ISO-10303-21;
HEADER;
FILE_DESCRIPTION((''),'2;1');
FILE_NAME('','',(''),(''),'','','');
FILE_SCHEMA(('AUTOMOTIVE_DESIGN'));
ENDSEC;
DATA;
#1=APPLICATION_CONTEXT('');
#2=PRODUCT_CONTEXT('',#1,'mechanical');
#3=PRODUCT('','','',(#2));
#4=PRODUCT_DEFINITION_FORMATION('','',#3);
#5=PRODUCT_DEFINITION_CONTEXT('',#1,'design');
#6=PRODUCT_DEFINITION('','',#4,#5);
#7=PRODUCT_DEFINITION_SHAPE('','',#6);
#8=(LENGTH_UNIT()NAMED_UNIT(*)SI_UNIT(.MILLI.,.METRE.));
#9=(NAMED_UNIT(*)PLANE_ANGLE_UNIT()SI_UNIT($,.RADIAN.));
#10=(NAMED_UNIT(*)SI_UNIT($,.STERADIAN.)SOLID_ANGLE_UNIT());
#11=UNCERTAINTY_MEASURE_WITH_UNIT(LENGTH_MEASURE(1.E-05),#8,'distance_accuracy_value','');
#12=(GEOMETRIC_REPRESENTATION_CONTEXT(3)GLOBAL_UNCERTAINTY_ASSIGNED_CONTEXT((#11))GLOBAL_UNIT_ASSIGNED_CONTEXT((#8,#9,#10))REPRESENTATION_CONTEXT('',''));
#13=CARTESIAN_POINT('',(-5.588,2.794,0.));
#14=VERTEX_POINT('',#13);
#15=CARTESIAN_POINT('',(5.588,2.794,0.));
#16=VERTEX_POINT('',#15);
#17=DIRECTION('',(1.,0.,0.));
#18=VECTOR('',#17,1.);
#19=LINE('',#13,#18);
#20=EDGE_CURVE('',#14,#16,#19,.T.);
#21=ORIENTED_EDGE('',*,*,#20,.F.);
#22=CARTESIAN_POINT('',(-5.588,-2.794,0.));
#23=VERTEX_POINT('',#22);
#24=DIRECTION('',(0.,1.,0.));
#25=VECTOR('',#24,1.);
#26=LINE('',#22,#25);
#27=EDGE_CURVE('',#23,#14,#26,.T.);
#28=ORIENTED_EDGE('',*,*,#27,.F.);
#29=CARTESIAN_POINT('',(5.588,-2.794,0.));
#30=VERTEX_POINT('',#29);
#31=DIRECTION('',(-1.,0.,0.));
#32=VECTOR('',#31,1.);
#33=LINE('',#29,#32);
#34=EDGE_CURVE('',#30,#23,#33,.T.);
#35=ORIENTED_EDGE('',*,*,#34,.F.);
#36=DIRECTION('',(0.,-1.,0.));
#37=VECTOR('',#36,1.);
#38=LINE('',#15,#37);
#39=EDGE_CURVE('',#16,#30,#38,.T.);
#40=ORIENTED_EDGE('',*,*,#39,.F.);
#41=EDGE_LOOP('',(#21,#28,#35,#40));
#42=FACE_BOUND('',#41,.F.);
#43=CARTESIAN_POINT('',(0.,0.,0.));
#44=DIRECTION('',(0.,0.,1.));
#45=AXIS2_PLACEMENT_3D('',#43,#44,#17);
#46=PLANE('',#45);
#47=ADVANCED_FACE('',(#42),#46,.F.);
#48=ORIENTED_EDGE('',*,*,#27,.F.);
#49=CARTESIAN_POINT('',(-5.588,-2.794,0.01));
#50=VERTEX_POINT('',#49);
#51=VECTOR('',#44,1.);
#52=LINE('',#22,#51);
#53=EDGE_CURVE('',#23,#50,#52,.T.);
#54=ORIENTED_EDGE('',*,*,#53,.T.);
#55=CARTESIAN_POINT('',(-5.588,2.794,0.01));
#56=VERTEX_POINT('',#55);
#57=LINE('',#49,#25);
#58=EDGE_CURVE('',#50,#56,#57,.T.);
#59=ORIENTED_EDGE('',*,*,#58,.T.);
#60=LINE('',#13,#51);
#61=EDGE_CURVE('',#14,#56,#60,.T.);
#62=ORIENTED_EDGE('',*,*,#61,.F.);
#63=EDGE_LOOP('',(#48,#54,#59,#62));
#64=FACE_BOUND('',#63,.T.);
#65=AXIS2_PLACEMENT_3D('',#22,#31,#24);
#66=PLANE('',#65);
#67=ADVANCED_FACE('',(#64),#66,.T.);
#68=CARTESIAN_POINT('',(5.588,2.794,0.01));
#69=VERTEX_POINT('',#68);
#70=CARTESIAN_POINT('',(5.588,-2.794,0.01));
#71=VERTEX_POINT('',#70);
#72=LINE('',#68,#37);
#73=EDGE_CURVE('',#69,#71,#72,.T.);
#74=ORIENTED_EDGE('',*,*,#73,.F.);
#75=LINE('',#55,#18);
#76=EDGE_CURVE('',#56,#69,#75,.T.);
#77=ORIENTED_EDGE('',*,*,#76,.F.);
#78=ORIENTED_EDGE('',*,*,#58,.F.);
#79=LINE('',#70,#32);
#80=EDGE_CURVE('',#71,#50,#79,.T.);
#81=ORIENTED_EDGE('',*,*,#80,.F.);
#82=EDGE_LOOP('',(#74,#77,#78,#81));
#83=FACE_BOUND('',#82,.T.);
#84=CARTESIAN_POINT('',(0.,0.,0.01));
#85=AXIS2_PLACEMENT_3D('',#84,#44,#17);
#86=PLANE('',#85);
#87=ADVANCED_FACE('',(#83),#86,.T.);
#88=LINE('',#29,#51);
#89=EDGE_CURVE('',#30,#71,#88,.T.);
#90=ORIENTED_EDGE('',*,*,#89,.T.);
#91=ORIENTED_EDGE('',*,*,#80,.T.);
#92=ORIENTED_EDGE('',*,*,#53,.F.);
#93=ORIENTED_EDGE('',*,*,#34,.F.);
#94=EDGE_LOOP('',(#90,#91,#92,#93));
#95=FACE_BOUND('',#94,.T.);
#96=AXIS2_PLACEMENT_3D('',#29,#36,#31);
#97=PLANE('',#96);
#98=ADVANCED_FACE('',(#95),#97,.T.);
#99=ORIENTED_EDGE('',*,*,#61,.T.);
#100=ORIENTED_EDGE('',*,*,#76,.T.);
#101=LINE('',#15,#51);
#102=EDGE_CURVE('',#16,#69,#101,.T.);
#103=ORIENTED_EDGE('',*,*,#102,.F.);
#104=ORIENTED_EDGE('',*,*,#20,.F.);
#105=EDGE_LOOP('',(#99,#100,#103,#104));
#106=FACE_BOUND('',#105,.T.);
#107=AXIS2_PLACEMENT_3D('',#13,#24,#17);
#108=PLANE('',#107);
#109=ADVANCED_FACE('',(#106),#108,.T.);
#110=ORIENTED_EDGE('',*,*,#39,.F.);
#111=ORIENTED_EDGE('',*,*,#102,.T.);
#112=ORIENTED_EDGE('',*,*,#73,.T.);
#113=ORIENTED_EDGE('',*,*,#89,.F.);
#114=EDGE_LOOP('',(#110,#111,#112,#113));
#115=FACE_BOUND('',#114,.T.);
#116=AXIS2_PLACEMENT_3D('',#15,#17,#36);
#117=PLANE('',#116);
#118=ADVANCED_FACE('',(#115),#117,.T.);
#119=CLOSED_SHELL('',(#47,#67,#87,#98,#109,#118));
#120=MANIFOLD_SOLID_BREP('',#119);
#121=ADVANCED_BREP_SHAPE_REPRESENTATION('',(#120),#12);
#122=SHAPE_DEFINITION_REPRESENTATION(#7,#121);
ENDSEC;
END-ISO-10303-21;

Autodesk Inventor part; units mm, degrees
ref_plane "YZ Plane" through (0, 0, 0) normal (1, 0, 0) x (0, 1, 0)
ref_plane "XZ Plane" through (0, 0, 0) normal (0, 1, 0) x (-1, 0, 0)
ref_plane "XY Plane" through (0, 0, 0) normal (0, 0, 1) x (1, 0, 0)
sketch "HC49U-V, 16_000_66" plane through (0, 0, 0) normal (0, 0, 1) x (1, 0, 0)
  line L0 (-5.588, 2.794) -> (5.588, 2.794)
  line L1 (5.588, 2.794) -> (5.588, -2.794)
  line L2 (5.588, -2.794) -> (-5.588, -2.794)
  line L3 (-5.588, -2.794) -> (-5.588, 2.794)
extrude "Extrusion1" add sketch "HC49U-V, 16_000_66" along normal blind 0.01
properties part number "16_000"
